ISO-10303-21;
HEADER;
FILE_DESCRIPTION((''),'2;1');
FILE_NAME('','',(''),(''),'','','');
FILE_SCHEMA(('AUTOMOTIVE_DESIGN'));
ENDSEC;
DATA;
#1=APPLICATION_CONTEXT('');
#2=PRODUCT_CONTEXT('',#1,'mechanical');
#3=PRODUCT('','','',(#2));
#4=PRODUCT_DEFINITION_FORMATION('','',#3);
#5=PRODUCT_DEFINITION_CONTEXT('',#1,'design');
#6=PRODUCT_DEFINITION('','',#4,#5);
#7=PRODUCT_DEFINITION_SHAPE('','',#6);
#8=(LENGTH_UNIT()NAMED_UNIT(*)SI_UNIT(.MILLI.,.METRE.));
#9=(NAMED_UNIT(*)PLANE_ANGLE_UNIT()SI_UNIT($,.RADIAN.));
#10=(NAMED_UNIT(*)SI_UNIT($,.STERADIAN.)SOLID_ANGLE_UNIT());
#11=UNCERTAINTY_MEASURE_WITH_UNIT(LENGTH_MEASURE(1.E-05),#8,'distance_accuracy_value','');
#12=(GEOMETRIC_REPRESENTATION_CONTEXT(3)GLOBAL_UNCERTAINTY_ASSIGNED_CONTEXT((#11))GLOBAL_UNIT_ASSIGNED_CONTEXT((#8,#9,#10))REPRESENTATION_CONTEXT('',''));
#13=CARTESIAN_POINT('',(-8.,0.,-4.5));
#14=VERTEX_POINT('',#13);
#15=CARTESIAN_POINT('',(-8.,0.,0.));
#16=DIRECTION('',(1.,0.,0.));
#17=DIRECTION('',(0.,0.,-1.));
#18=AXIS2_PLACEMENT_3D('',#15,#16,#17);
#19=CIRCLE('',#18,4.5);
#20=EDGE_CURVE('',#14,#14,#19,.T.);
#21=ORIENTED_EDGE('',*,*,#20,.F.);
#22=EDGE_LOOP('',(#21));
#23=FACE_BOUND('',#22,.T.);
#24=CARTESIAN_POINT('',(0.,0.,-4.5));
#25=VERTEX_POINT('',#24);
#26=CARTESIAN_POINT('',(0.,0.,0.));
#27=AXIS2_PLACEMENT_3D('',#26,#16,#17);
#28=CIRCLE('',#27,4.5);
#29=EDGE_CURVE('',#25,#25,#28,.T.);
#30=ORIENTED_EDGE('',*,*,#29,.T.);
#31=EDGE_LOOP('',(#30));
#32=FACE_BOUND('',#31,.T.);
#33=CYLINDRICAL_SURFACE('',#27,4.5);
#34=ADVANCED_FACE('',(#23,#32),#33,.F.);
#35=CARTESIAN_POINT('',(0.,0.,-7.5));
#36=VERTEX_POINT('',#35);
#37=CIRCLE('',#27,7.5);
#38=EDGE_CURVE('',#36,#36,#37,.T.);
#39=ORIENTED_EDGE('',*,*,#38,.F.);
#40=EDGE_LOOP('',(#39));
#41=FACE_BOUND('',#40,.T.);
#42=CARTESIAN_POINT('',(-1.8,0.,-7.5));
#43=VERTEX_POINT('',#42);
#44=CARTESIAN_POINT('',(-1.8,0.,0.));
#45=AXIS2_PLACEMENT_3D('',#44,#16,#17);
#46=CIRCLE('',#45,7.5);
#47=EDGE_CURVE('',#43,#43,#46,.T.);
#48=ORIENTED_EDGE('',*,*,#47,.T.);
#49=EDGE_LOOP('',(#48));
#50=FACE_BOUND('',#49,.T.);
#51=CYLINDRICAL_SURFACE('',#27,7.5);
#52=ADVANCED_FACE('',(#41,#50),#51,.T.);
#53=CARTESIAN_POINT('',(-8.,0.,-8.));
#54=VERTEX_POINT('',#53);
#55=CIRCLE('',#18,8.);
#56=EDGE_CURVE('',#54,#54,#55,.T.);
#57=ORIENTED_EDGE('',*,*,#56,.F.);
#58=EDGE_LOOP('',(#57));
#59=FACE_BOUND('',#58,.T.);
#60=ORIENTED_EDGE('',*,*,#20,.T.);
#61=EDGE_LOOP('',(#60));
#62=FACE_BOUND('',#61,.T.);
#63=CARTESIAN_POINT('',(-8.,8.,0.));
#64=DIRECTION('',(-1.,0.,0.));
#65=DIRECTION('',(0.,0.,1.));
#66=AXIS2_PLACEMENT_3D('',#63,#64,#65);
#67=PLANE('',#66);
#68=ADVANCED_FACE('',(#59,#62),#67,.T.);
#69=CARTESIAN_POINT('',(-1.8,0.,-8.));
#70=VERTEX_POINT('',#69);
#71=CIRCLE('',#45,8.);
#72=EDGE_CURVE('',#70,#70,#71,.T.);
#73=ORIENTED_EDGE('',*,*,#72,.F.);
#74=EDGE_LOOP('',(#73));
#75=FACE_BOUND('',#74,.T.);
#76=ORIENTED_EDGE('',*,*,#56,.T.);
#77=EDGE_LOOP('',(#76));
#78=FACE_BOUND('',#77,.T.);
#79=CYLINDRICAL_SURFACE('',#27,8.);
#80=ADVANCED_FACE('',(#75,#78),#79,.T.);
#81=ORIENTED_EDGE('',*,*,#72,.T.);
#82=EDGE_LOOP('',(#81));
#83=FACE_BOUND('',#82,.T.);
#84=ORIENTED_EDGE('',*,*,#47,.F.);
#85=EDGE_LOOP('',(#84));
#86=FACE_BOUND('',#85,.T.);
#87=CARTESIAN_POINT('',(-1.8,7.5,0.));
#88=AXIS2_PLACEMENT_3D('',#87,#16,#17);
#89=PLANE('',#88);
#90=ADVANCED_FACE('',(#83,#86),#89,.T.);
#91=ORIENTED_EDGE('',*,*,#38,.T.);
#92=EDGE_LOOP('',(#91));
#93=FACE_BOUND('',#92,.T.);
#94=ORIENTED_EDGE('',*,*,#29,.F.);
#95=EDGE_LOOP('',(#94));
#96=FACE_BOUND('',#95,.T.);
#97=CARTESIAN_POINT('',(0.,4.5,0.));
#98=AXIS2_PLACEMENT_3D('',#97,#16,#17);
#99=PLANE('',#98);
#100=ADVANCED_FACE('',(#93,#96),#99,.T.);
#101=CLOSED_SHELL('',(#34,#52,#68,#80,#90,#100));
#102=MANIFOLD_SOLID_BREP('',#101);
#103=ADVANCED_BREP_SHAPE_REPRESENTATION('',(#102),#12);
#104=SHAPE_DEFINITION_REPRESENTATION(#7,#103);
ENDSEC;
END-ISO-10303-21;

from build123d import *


with BuildPart() as part:
    # Sketch1 → Base-Revolve (revolve)
    with BuildSketch(Plane.XY):
        Polygon((0, 4.5), (0, 7.5), (-1.8, 7.5), (-1.8, 8), (-8, 8), (-8, 4.5), align=None)
    revolve(axis=Axis((0, 0, 0), (-1, 0, 0)))


solid = part.part
